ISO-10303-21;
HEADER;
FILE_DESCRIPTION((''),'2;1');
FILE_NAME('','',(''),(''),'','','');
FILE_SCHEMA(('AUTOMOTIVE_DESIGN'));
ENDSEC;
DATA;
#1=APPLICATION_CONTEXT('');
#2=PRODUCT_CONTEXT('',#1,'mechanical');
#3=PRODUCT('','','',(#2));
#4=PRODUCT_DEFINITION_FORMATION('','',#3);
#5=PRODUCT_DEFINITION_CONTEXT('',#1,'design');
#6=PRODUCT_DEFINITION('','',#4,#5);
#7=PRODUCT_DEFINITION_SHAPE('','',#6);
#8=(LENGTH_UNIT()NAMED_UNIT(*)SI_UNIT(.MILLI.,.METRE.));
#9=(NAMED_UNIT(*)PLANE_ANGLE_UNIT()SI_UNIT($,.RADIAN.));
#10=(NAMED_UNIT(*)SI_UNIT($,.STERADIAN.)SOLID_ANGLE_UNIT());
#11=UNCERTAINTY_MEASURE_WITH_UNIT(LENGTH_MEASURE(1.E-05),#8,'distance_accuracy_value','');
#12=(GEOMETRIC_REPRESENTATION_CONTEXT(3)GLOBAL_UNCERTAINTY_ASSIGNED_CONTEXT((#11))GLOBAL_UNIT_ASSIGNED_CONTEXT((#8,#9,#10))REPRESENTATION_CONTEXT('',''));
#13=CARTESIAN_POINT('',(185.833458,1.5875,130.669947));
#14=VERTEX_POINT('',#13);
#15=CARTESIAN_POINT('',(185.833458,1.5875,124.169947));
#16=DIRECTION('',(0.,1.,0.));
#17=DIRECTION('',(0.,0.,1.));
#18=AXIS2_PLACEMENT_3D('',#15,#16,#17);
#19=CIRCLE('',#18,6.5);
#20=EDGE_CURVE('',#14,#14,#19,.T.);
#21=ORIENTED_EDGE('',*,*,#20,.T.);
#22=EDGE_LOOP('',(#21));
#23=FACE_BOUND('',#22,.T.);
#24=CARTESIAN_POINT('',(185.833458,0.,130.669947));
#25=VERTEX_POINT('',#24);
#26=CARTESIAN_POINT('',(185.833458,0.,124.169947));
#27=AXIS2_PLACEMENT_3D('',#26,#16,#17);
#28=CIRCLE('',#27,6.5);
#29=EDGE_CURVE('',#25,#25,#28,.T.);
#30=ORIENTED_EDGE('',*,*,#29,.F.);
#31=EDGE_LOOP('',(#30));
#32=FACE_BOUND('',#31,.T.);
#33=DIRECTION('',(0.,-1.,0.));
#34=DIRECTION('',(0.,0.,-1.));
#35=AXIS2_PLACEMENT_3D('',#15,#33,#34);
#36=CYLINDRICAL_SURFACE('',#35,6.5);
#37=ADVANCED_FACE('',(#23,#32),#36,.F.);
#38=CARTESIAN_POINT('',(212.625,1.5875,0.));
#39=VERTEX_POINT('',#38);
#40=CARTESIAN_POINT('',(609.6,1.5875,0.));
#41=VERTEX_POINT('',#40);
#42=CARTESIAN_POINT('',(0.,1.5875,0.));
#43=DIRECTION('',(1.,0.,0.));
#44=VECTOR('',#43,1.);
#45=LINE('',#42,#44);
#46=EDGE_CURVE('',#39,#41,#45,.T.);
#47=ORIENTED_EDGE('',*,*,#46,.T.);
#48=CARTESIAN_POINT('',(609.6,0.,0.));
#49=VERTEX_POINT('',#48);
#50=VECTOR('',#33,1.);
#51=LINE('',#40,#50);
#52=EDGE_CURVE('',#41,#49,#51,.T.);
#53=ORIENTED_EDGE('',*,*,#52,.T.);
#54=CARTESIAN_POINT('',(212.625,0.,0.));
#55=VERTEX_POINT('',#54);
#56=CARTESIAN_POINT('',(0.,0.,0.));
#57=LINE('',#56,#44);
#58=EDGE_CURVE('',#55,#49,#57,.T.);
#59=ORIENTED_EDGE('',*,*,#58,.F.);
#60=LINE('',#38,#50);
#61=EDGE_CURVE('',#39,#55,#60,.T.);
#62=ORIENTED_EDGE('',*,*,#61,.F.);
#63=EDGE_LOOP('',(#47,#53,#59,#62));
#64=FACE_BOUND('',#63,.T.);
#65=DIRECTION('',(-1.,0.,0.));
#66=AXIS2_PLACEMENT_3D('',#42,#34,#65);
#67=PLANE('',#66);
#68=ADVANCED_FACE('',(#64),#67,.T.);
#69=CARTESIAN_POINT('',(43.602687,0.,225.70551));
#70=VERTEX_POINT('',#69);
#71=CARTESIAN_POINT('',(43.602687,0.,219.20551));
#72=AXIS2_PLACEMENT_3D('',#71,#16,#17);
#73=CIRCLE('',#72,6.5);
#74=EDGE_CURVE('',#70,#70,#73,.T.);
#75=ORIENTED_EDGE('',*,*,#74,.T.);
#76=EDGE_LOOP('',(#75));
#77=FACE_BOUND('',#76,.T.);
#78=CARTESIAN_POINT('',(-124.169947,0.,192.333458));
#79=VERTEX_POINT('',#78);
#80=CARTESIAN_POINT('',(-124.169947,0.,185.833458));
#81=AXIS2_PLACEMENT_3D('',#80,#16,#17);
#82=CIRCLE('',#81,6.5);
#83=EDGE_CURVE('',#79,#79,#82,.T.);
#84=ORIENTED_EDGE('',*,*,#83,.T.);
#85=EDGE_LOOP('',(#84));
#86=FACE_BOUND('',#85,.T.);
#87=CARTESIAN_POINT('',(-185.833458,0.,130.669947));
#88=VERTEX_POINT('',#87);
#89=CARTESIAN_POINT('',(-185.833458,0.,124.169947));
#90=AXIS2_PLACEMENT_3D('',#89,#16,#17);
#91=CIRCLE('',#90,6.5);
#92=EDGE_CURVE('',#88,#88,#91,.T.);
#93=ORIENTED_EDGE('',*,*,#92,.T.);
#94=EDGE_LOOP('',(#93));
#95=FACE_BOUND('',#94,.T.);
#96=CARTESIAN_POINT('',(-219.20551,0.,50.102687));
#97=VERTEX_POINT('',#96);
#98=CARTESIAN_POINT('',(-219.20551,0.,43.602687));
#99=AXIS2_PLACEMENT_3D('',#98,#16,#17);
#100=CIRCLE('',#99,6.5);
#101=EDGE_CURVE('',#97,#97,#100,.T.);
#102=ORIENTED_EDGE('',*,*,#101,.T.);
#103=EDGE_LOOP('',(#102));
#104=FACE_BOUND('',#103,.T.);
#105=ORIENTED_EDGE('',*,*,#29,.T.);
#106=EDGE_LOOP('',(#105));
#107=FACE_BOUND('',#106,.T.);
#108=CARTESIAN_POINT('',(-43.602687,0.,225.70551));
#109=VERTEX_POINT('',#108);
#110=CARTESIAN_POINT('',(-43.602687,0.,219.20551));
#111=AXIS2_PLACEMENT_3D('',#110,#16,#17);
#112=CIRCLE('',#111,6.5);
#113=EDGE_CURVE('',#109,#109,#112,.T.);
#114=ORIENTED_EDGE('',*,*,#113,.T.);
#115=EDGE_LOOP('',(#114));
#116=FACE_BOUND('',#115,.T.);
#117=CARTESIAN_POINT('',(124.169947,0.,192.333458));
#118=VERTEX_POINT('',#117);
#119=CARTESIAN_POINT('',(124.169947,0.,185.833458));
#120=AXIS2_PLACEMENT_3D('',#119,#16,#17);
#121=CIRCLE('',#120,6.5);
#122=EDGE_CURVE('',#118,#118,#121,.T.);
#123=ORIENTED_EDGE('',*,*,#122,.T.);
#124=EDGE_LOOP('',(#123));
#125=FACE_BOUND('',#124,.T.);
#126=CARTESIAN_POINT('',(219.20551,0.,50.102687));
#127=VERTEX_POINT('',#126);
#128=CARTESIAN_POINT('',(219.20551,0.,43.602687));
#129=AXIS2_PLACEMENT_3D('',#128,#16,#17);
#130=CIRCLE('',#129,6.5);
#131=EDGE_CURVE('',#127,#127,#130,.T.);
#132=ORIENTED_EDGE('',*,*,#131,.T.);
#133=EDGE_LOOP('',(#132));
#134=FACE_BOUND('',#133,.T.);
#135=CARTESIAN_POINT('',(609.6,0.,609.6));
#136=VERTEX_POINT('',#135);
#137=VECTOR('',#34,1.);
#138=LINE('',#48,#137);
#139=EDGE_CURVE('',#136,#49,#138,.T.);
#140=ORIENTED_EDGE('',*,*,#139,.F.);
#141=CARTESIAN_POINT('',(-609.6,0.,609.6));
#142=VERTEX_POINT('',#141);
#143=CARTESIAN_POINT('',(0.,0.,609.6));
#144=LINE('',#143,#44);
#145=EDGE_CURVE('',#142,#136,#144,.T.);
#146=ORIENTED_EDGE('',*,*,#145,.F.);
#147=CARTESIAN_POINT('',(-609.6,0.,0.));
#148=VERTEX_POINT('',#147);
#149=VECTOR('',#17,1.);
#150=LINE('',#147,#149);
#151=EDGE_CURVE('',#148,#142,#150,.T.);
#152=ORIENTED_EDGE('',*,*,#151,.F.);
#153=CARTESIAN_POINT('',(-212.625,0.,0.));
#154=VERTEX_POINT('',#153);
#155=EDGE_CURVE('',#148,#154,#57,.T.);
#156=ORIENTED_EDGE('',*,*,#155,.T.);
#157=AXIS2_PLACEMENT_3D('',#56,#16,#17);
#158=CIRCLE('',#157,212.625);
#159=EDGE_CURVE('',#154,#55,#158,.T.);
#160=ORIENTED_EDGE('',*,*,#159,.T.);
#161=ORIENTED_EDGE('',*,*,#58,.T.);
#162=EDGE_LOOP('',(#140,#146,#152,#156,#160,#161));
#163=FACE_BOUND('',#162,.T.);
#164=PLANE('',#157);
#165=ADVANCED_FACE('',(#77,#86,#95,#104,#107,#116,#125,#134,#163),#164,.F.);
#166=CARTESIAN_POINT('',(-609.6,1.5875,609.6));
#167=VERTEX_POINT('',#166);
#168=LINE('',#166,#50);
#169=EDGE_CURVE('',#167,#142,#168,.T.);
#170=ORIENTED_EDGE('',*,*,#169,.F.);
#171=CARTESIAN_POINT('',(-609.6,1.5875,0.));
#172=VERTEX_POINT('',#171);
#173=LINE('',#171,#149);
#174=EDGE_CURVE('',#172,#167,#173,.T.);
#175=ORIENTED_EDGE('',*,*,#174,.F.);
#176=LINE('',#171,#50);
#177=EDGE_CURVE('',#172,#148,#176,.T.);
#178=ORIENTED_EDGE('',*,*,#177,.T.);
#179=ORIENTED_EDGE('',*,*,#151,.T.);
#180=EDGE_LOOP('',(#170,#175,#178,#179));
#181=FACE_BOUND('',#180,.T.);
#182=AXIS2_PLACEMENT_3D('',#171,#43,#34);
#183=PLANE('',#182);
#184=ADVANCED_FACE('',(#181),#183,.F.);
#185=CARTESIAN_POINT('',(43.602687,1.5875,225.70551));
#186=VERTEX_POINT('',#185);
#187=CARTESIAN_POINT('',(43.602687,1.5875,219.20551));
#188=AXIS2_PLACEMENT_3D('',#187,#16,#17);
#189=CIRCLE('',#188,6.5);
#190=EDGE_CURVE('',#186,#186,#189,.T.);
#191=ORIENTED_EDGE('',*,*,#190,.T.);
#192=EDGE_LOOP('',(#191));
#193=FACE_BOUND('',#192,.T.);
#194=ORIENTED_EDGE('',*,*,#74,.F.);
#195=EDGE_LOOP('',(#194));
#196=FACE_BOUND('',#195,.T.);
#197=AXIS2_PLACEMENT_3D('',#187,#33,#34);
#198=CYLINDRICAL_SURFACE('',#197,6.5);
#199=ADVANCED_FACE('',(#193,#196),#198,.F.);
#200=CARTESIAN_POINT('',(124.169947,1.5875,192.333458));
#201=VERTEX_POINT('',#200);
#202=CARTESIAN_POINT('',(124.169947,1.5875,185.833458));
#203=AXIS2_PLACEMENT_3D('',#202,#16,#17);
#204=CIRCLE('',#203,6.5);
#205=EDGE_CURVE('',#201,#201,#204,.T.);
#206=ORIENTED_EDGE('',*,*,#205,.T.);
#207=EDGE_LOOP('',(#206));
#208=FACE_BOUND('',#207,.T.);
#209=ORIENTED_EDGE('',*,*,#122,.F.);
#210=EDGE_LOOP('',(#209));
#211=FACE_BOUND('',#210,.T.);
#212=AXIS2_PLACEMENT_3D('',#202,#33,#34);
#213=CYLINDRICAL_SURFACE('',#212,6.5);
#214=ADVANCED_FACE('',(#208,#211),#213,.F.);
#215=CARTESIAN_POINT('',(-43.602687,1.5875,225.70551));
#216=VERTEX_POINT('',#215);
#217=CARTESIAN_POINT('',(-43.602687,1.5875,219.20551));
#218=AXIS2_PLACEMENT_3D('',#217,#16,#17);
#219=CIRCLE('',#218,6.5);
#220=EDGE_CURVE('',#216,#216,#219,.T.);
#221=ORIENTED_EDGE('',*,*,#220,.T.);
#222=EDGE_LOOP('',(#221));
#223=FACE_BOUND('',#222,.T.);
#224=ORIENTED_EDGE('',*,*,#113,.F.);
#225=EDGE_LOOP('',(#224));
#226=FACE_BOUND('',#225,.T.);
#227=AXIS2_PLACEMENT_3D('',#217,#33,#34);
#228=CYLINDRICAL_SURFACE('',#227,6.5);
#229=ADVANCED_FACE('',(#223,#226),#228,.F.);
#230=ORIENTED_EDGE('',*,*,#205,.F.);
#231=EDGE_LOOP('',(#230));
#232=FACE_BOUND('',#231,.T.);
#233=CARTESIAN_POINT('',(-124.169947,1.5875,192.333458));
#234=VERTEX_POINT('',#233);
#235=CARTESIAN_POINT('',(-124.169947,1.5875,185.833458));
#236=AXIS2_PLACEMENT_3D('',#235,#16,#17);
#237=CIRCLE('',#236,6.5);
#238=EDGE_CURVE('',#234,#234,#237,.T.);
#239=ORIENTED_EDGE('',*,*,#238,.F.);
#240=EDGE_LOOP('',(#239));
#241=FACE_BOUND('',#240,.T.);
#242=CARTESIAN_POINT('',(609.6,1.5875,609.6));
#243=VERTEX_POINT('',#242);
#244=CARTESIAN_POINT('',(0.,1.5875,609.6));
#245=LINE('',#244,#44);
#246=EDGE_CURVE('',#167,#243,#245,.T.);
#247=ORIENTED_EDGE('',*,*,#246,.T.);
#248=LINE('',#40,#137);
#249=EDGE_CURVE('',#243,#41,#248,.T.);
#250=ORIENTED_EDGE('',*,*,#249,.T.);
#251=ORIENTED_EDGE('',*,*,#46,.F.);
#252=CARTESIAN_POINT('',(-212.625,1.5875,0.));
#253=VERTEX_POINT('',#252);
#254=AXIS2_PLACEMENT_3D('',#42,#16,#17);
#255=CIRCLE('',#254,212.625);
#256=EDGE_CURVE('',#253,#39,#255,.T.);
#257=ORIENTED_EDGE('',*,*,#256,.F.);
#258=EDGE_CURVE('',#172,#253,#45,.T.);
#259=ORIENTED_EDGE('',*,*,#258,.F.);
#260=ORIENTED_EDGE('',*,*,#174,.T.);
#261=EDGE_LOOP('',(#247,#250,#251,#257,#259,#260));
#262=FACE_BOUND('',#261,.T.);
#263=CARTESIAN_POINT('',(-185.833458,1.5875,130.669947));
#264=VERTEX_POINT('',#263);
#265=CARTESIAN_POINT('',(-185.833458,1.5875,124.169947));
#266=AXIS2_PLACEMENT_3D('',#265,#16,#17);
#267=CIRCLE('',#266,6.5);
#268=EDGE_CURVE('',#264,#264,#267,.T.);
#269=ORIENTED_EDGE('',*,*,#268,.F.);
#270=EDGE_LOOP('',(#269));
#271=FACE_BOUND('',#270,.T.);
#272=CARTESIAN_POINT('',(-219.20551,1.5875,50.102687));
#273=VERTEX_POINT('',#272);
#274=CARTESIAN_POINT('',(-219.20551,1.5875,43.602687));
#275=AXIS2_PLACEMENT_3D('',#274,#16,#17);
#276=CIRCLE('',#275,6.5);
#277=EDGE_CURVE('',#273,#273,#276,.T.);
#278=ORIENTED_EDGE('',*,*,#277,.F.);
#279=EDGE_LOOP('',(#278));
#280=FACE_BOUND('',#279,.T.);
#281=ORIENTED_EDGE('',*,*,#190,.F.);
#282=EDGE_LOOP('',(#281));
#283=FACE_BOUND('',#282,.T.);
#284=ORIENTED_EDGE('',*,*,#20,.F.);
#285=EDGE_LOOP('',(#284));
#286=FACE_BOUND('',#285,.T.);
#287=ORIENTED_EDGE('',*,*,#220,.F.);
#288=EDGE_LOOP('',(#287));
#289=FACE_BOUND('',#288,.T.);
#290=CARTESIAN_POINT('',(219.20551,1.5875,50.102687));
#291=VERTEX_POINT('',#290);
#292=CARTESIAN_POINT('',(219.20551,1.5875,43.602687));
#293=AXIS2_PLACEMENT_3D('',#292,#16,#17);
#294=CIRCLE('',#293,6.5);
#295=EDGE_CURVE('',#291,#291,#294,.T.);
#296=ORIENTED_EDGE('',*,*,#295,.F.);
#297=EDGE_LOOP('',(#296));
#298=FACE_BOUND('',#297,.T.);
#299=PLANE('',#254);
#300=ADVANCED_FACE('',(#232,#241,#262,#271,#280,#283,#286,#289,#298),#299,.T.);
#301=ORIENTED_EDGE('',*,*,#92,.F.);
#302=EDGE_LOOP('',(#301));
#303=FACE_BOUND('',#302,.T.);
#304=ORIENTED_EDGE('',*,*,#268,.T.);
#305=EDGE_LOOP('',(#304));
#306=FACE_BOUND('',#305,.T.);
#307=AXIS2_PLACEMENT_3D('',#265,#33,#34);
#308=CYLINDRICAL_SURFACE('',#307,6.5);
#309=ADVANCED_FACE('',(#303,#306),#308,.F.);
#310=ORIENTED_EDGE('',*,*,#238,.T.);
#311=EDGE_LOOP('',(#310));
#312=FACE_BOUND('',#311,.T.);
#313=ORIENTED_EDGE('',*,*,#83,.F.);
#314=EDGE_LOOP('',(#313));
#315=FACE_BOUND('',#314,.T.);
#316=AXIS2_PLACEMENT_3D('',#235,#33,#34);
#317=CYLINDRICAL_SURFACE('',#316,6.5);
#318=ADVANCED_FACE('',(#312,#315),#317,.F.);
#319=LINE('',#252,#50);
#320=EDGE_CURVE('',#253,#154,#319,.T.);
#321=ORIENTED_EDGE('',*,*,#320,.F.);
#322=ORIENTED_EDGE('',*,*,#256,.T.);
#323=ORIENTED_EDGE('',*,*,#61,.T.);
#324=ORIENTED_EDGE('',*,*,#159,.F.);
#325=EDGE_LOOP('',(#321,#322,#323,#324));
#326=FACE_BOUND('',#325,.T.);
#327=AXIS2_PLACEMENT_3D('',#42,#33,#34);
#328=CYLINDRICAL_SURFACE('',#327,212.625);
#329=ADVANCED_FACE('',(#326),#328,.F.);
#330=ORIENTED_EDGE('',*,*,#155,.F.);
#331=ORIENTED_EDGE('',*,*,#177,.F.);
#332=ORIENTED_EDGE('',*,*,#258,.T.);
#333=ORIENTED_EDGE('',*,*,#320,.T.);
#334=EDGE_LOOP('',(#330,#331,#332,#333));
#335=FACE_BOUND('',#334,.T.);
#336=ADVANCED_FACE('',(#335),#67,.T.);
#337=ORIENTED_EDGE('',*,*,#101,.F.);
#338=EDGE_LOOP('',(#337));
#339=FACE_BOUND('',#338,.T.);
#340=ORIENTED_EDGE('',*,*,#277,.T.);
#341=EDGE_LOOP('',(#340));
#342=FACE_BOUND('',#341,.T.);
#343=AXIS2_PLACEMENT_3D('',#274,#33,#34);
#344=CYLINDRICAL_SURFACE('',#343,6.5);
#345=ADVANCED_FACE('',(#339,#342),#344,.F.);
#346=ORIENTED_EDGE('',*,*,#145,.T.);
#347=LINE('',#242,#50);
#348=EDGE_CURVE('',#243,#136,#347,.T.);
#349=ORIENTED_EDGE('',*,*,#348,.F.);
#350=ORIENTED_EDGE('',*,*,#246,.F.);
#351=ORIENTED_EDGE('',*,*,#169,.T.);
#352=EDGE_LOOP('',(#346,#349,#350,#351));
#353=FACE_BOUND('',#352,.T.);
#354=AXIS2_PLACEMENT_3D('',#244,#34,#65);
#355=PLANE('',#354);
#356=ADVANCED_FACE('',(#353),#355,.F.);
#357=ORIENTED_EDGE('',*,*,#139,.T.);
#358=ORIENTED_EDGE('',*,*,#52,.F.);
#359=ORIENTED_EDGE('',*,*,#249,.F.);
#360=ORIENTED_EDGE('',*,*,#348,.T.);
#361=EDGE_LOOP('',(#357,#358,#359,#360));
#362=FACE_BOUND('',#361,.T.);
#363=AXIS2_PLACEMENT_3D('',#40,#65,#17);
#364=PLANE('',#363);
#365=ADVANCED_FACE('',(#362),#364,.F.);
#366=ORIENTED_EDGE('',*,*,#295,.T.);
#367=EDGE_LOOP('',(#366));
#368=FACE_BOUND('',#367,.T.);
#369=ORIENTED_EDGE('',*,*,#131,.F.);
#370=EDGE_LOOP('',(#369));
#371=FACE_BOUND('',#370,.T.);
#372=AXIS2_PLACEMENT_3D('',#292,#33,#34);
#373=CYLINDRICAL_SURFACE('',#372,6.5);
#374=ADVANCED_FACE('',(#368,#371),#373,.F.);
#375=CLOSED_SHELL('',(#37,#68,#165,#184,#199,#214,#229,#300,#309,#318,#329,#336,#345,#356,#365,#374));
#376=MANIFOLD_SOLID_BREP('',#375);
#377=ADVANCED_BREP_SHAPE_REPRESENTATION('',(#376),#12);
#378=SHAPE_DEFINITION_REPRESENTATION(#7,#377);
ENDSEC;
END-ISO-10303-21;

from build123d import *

# Parameters (mm, degrees)
SKETCH2_R           = 6.5
BOSS_EXTRUDE2_DEPTH = 1.5875


with BuildPart() as part:
    # Sketch2 → Boss-Extrude2 (new body)
    with BuildSketch(Plane(origin=(0, 0, 0), x_dir=(1, 0, 0), z_dir=(0, 1, 0))):
        with BuildLine():
            ThreePointArc((-212.625, 0), (0, -212.625), (212.625, 0))
            Line((212.625, 0), (609.6, 0))
            Line((609.6, 0), (609.6, -609.6))
            Line((609.6, -609.6), (-609.6, -609.6))
            Line((-609.6, -609.6), (-609.6, 0))
            Line((-609.6, 0), (-212.625, 0))
        make_face()
        with Locations(Location((-219.20551017, -43.602686971, 0), (0, 0, 270))):
            Circle(SKETCH2_R, mode=Mode.SUBTRACT)
        with Locations(Location((-185.83345835, -124.16994708, 0), (0, 0, 270))):
            Circle(SKETCH2_R, mode=Mode.SUBTRACT)
        with Locations(Location((-124.16994708, -185.83345835, 0), (0, 0, 270))):
            Circle(SKETCH2_R, mode=Mode.SUBTRACT)
        with Locations(Location((-43.602686971, -219.20551017, 0), (0, 0, 270))):
            Circle(SKETCH2_R, mode=Mode.SUBTRACT)
        with Locations(Location((43.602686971, -219.20551017, 0), (0, 0, 270))):
            Circle(SKETCH2_R, mode=Mode.SUBTRACT)
        with Locations(Location((124.16994708, -185.83345835, 0), (0, 0, 270))):
            Circle(SKETCH2_R, mode=Mode.SUBTRACT)
        with Locations(Location((185.83345835, -124.16994708, 0), (0, 0, 270))):
            Circle(SKETCH2_R, mode=Mode.SUBTRACT)
        with Locations(Location((219.20551017, -43.602686971, 0), (0, 0, 270))):
            Circle(SKETCH2_R, mode=Mode.SUBTRACT)
    extrude(amount=BOSS_EXTRUDE2_DEPTH)


solid = part.part
